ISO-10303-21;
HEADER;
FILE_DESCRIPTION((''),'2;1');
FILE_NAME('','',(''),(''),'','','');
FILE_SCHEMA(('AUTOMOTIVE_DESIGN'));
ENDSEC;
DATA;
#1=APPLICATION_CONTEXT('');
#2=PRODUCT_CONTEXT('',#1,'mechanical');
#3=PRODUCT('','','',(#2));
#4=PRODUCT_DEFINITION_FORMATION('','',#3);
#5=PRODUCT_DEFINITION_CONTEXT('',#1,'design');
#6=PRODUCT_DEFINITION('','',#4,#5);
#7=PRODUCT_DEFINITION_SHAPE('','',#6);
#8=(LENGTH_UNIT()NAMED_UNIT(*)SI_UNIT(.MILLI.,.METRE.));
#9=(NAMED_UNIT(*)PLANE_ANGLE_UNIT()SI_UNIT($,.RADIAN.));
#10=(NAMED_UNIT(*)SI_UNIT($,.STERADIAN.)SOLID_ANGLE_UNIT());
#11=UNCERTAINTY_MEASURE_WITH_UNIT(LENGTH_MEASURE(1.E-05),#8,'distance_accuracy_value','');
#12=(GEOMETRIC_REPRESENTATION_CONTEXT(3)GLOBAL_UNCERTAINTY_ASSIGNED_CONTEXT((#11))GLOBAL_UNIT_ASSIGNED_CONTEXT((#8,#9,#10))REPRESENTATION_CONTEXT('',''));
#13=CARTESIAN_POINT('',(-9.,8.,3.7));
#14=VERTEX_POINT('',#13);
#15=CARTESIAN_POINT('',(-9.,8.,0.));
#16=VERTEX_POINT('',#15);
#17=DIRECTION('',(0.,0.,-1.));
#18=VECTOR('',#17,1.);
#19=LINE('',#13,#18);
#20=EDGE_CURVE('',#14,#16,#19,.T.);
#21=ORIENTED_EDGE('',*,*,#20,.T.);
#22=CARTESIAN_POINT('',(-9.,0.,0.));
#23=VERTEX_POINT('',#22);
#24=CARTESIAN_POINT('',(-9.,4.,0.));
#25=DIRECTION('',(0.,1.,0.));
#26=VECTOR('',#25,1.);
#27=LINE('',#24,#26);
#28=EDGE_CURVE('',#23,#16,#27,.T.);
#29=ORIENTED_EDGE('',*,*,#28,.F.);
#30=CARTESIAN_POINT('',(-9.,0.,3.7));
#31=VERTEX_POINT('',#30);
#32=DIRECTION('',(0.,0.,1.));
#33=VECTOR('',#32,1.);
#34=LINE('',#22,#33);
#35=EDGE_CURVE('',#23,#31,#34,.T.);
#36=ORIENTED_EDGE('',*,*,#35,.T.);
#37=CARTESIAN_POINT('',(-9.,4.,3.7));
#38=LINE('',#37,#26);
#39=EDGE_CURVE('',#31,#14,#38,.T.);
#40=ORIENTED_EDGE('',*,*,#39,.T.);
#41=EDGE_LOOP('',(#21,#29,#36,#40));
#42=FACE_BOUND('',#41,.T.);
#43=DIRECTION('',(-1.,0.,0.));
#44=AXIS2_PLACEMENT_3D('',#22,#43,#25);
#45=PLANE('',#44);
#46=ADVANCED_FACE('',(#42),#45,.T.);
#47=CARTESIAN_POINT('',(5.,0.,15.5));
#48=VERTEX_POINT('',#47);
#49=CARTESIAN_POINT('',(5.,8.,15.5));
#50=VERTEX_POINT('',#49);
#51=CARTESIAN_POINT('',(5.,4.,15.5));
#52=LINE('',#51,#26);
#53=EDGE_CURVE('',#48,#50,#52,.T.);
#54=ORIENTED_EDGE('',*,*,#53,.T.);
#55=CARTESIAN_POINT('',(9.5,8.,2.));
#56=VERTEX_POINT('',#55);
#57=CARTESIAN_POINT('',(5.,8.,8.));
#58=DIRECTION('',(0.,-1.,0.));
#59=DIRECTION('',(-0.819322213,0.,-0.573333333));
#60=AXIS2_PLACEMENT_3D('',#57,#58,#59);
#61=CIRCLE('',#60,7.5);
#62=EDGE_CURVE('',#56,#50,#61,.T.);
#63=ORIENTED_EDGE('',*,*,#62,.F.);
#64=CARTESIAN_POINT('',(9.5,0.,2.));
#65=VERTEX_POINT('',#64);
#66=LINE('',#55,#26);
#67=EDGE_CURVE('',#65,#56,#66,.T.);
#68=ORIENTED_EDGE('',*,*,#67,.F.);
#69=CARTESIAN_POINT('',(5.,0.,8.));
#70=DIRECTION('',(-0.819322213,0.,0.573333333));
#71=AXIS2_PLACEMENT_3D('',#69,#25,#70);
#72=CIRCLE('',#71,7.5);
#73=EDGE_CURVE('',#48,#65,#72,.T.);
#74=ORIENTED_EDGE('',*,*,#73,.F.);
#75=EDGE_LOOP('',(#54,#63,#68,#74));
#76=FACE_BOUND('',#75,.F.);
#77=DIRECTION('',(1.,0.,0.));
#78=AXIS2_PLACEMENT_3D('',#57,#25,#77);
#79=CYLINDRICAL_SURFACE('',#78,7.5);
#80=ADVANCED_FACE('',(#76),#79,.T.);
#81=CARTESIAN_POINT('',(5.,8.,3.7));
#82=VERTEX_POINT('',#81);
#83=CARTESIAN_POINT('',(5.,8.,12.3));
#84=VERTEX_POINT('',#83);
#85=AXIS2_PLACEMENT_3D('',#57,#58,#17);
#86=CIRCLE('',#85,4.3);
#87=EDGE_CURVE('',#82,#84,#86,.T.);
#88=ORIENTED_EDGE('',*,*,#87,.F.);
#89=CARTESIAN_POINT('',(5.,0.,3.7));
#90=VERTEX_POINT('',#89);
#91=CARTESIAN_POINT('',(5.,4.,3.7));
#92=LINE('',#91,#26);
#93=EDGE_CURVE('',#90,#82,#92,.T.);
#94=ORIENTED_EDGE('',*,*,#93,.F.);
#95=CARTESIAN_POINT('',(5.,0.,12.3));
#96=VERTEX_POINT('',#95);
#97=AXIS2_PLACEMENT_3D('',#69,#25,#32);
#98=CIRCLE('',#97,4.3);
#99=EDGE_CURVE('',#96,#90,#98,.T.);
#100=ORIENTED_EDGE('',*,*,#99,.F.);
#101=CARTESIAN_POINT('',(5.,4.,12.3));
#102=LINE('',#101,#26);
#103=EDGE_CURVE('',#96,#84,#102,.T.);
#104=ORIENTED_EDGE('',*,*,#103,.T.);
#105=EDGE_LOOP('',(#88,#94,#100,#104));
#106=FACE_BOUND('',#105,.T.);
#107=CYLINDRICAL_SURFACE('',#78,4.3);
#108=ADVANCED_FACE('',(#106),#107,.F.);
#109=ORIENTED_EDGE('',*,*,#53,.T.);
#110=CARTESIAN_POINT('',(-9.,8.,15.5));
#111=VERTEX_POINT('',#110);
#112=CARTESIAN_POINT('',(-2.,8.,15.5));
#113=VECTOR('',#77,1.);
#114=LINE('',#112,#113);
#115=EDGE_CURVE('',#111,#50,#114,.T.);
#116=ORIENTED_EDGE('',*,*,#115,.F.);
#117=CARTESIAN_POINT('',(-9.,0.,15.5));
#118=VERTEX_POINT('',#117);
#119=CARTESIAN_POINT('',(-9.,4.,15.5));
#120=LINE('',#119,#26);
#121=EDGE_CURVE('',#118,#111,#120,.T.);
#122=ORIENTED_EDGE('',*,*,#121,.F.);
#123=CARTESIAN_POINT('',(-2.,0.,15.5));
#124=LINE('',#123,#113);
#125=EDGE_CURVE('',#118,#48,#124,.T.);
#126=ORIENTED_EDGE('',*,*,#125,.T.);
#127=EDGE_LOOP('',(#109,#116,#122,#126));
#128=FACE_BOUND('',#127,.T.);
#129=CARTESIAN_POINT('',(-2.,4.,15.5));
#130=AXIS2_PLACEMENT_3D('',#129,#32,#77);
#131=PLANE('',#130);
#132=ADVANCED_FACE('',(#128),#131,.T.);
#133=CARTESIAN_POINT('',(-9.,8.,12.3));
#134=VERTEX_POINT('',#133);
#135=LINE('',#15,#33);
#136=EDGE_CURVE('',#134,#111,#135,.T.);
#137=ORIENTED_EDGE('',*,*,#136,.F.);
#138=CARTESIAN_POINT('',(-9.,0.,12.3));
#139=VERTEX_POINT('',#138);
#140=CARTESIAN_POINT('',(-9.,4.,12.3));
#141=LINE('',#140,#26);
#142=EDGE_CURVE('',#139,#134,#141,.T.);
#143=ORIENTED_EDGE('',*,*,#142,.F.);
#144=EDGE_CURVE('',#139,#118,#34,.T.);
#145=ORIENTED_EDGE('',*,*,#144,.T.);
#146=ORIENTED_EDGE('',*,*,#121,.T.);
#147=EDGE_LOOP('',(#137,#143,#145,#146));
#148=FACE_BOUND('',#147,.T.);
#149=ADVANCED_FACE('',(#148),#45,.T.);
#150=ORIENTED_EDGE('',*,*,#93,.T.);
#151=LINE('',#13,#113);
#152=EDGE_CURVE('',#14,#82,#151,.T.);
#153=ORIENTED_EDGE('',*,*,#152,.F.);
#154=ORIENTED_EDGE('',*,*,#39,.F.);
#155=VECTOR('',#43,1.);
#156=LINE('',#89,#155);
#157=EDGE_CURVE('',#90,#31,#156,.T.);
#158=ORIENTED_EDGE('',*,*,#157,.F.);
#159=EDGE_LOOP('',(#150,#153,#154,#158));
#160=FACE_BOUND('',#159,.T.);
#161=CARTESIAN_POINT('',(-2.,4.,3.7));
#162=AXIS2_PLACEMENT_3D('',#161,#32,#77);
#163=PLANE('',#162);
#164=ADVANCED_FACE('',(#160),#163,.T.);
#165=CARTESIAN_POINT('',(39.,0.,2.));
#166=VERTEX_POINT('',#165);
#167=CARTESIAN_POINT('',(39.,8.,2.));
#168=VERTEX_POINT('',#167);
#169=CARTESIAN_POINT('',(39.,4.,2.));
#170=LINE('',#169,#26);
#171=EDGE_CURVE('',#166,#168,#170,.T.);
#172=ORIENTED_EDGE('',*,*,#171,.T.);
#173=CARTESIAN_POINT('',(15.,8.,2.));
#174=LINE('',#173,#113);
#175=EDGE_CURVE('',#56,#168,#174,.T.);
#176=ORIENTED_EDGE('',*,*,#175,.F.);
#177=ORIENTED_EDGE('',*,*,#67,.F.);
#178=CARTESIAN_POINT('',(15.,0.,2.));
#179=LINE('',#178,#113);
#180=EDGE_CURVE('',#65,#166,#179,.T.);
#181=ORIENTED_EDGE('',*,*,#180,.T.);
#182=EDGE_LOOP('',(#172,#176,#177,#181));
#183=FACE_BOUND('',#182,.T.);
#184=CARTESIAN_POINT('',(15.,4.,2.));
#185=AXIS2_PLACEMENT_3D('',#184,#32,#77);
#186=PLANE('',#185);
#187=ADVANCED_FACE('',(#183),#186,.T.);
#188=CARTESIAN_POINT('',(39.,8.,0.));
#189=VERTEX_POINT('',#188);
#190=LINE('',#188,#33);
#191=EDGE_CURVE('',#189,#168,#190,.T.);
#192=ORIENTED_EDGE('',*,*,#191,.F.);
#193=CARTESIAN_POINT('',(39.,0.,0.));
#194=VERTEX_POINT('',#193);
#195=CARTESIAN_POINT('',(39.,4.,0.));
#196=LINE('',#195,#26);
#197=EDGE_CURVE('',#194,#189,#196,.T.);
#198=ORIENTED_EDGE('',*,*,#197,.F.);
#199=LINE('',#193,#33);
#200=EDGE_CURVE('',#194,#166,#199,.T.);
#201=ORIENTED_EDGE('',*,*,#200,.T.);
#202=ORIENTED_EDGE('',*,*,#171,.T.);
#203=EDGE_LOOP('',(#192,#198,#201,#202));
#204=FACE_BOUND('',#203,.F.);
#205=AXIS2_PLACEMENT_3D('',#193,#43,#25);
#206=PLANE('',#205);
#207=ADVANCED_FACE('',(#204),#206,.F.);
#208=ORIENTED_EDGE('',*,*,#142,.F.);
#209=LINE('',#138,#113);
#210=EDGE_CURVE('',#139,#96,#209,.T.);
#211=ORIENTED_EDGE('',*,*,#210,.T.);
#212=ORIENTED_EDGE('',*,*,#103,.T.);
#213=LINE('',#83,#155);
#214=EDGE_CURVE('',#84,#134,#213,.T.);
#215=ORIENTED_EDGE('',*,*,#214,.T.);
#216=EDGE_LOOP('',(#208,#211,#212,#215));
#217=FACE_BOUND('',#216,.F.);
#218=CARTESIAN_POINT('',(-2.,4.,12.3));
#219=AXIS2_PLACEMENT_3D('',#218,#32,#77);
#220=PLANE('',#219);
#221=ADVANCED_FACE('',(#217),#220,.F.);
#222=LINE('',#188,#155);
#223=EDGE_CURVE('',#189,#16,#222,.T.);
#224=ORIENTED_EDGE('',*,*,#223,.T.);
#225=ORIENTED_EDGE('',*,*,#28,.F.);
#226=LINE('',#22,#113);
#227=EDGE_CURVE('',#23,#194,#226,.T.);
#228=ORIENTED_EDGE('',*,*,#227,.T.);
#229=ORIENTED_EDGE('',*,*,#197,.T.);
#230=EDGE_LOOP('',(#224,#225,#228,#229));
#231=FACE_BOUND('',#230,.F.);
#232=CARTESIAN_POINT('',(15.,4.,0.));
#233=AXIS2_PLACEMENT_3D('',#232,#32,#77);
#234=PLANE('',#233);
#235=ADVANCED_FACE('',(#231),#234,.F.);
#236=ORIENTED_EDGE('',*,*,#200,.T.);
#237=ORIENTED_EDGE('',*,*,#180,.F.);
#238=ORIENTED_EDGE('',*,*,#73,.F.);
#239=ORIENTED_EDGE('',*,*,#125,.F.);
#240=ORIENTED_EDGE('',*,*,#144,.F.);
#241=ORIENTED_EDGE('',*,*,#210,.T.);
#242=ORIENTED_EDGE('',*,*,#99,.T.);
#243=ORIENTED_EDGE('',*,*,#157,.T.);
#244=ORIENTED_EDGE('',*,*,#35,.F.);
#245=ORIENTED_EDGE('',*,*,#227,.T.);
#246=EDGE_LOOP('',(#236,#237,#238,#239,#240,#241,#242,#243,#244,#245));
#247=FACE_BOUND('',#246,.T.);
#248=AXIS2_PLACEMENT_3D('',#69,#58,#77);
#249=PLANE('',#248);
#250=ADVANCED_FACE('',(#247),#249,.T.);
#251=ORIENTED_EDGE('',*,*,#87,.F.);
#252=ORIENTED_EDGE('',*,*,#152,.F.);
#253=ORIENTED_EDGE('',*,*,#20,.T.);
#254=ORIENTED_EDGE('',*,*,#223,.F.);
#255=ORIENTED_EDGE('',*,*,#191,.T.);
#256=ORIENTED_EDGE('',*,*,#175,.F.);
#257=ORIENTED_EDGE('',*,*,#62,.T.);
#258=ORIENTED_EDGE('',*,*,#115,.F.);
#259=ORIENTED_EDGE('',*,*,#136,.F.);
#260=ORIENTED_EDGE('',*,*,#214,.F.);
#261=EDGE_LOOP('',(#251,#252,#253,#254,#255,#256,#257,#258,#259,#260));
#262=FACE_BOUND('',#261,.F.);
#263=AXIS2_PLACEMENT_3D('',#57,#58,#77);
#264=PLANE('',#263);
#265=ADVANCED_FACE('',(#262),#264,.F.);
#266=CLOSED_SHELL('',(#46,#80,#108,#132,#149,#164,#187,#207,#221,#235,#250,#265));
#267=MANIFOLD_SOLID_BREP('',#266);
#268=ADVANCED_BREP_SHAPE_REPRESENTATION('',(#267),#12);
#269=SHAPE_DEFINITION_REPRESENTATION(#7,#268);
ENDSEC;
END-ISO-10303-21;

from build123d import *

# Parameters (mm, degrees)
BOX006_W               = 14
BOX006_H               = 8
BOX006_DEPTH           = 8.6
CYLINDER006_R          = 4.3
CYLINDER006_DEPTH      = 8
CYLINDER006_ROLL_ANGLE = 90
CYLINDER005_R          = 7.5
CYLINDER005_DEPTH      = 8
CYLINDER005_ROLL_ANGLE = 90
BOX005_W               = 14
BOX005_H               = 8
BOX005_DEPTH           = 8.6
BOX004_W               = 14
BOX004_H               = 8
BOX004_DEPTH           = 15.5
BOX_W                  = 48
BOX_H                  = 8
BOX_DEPTH              = 2


with BuildPart() as cubo006:
    # Box006 → Box006 (new body)
    with BuildSketch(Plane(origin=(-9, 0, 3.7), x_dir=(1, 0, 0), z_dir=(0, 0, 1))):
        with Locations((7, 4)):
            Rectangle(BOX006_W, BOX006_H)
    extrude(amount=BOX006_DEPTH)


with BuildPart() as cilindro006:
    # Cylinder006 → Cylinder006 (new body)
    with BuildSketch(Plane.XY):
        Circle(CYLINDER006_R)
    extrude(amount=CYLINDER006_DEPTH)


with BuildPart() as cilindro006_1:
    # Cylinder006 roll: moved
    add(cilindro006.part.rotate(Axis((0, 0, 0), (1, 0, 0)), CYLINDER006_ROLL_ANGLE))


with BuildPart() as cilindro006_2:
    # Cylinder006 placement: moved
    add(cilindro006_1.part.moved(Location((5, 8, 8))))


with BuildPart() as cut:
    # Cylinder005 → Cylinder005 (new body)
    with BuildSketch(Plane.XY):
        Circle(CYLINDER005_R)
    extrude(amount=CYLINDER005_DEPTH)


with BuildPart() as cut_1:
    # Cylinder005 roll: moved
    add(cut.part.rotate(Axis((0, 0, 0), (1, 0, 0)), CYLINDER005_ROLL_ANGLE))


with BuildPart() as cut_2:
    # Cylinder005 placement: moved
    add(cut_1.part.moved(Location((5, 8, 8))))

    # Cut004: cut Cilindro006
    add(cilindro006_2.part, mode=Mode.SUBTRACT)

    # Cut: cut Cubo006
    add(cubo006.part, mode=Mode.SUBTRACT)


with BuildPart() as cubo005:
    # Box005 → Box005 (new body)
    with BuildSketch(Plane(origin=(-9, 0, 3.7), x_dir=(1, 0, 0), z_dir=(0, 0, 1))):
        with Locations((7, 4)):
            Rectangle(BOX005_W, BOX005_H)
    extrude(amount=BOX005_DEPTH)


with BuildPart() as cut003:
    # Box004 → Box004 (new body)
    with BuildSketch(Plane(origin=(-9, 0, 0), x_dir=(1, 0, 0), z_dir=(0, 0, 1))):
        with Locations((7, 4)):
            Rectangle(BOX004_W, BOX004_H)
    extrude(amount=BOX004_DEPTH)

    # Cut003: cut Cubo005
    add(cubo005.part, mode=Mode.SUBTRACT)


with BuildPart() as fusion:
    # Box → Box (new body)
    with BuildSketch(Plane(origin=(-9, 0, 0), x_dir=(1, 0, 0), z_dir=(0, 0, 1))):
        with Locations((24, 4)):
            Rectangle(BOX_W, BOX_H)
    extrude(amount=BOX_DEPTH)

    # Fusion001003: union Cut003
    add(cut003.part)

    # Fusion: union Cut
    add(cut_2.part)


solid = fusion.part
